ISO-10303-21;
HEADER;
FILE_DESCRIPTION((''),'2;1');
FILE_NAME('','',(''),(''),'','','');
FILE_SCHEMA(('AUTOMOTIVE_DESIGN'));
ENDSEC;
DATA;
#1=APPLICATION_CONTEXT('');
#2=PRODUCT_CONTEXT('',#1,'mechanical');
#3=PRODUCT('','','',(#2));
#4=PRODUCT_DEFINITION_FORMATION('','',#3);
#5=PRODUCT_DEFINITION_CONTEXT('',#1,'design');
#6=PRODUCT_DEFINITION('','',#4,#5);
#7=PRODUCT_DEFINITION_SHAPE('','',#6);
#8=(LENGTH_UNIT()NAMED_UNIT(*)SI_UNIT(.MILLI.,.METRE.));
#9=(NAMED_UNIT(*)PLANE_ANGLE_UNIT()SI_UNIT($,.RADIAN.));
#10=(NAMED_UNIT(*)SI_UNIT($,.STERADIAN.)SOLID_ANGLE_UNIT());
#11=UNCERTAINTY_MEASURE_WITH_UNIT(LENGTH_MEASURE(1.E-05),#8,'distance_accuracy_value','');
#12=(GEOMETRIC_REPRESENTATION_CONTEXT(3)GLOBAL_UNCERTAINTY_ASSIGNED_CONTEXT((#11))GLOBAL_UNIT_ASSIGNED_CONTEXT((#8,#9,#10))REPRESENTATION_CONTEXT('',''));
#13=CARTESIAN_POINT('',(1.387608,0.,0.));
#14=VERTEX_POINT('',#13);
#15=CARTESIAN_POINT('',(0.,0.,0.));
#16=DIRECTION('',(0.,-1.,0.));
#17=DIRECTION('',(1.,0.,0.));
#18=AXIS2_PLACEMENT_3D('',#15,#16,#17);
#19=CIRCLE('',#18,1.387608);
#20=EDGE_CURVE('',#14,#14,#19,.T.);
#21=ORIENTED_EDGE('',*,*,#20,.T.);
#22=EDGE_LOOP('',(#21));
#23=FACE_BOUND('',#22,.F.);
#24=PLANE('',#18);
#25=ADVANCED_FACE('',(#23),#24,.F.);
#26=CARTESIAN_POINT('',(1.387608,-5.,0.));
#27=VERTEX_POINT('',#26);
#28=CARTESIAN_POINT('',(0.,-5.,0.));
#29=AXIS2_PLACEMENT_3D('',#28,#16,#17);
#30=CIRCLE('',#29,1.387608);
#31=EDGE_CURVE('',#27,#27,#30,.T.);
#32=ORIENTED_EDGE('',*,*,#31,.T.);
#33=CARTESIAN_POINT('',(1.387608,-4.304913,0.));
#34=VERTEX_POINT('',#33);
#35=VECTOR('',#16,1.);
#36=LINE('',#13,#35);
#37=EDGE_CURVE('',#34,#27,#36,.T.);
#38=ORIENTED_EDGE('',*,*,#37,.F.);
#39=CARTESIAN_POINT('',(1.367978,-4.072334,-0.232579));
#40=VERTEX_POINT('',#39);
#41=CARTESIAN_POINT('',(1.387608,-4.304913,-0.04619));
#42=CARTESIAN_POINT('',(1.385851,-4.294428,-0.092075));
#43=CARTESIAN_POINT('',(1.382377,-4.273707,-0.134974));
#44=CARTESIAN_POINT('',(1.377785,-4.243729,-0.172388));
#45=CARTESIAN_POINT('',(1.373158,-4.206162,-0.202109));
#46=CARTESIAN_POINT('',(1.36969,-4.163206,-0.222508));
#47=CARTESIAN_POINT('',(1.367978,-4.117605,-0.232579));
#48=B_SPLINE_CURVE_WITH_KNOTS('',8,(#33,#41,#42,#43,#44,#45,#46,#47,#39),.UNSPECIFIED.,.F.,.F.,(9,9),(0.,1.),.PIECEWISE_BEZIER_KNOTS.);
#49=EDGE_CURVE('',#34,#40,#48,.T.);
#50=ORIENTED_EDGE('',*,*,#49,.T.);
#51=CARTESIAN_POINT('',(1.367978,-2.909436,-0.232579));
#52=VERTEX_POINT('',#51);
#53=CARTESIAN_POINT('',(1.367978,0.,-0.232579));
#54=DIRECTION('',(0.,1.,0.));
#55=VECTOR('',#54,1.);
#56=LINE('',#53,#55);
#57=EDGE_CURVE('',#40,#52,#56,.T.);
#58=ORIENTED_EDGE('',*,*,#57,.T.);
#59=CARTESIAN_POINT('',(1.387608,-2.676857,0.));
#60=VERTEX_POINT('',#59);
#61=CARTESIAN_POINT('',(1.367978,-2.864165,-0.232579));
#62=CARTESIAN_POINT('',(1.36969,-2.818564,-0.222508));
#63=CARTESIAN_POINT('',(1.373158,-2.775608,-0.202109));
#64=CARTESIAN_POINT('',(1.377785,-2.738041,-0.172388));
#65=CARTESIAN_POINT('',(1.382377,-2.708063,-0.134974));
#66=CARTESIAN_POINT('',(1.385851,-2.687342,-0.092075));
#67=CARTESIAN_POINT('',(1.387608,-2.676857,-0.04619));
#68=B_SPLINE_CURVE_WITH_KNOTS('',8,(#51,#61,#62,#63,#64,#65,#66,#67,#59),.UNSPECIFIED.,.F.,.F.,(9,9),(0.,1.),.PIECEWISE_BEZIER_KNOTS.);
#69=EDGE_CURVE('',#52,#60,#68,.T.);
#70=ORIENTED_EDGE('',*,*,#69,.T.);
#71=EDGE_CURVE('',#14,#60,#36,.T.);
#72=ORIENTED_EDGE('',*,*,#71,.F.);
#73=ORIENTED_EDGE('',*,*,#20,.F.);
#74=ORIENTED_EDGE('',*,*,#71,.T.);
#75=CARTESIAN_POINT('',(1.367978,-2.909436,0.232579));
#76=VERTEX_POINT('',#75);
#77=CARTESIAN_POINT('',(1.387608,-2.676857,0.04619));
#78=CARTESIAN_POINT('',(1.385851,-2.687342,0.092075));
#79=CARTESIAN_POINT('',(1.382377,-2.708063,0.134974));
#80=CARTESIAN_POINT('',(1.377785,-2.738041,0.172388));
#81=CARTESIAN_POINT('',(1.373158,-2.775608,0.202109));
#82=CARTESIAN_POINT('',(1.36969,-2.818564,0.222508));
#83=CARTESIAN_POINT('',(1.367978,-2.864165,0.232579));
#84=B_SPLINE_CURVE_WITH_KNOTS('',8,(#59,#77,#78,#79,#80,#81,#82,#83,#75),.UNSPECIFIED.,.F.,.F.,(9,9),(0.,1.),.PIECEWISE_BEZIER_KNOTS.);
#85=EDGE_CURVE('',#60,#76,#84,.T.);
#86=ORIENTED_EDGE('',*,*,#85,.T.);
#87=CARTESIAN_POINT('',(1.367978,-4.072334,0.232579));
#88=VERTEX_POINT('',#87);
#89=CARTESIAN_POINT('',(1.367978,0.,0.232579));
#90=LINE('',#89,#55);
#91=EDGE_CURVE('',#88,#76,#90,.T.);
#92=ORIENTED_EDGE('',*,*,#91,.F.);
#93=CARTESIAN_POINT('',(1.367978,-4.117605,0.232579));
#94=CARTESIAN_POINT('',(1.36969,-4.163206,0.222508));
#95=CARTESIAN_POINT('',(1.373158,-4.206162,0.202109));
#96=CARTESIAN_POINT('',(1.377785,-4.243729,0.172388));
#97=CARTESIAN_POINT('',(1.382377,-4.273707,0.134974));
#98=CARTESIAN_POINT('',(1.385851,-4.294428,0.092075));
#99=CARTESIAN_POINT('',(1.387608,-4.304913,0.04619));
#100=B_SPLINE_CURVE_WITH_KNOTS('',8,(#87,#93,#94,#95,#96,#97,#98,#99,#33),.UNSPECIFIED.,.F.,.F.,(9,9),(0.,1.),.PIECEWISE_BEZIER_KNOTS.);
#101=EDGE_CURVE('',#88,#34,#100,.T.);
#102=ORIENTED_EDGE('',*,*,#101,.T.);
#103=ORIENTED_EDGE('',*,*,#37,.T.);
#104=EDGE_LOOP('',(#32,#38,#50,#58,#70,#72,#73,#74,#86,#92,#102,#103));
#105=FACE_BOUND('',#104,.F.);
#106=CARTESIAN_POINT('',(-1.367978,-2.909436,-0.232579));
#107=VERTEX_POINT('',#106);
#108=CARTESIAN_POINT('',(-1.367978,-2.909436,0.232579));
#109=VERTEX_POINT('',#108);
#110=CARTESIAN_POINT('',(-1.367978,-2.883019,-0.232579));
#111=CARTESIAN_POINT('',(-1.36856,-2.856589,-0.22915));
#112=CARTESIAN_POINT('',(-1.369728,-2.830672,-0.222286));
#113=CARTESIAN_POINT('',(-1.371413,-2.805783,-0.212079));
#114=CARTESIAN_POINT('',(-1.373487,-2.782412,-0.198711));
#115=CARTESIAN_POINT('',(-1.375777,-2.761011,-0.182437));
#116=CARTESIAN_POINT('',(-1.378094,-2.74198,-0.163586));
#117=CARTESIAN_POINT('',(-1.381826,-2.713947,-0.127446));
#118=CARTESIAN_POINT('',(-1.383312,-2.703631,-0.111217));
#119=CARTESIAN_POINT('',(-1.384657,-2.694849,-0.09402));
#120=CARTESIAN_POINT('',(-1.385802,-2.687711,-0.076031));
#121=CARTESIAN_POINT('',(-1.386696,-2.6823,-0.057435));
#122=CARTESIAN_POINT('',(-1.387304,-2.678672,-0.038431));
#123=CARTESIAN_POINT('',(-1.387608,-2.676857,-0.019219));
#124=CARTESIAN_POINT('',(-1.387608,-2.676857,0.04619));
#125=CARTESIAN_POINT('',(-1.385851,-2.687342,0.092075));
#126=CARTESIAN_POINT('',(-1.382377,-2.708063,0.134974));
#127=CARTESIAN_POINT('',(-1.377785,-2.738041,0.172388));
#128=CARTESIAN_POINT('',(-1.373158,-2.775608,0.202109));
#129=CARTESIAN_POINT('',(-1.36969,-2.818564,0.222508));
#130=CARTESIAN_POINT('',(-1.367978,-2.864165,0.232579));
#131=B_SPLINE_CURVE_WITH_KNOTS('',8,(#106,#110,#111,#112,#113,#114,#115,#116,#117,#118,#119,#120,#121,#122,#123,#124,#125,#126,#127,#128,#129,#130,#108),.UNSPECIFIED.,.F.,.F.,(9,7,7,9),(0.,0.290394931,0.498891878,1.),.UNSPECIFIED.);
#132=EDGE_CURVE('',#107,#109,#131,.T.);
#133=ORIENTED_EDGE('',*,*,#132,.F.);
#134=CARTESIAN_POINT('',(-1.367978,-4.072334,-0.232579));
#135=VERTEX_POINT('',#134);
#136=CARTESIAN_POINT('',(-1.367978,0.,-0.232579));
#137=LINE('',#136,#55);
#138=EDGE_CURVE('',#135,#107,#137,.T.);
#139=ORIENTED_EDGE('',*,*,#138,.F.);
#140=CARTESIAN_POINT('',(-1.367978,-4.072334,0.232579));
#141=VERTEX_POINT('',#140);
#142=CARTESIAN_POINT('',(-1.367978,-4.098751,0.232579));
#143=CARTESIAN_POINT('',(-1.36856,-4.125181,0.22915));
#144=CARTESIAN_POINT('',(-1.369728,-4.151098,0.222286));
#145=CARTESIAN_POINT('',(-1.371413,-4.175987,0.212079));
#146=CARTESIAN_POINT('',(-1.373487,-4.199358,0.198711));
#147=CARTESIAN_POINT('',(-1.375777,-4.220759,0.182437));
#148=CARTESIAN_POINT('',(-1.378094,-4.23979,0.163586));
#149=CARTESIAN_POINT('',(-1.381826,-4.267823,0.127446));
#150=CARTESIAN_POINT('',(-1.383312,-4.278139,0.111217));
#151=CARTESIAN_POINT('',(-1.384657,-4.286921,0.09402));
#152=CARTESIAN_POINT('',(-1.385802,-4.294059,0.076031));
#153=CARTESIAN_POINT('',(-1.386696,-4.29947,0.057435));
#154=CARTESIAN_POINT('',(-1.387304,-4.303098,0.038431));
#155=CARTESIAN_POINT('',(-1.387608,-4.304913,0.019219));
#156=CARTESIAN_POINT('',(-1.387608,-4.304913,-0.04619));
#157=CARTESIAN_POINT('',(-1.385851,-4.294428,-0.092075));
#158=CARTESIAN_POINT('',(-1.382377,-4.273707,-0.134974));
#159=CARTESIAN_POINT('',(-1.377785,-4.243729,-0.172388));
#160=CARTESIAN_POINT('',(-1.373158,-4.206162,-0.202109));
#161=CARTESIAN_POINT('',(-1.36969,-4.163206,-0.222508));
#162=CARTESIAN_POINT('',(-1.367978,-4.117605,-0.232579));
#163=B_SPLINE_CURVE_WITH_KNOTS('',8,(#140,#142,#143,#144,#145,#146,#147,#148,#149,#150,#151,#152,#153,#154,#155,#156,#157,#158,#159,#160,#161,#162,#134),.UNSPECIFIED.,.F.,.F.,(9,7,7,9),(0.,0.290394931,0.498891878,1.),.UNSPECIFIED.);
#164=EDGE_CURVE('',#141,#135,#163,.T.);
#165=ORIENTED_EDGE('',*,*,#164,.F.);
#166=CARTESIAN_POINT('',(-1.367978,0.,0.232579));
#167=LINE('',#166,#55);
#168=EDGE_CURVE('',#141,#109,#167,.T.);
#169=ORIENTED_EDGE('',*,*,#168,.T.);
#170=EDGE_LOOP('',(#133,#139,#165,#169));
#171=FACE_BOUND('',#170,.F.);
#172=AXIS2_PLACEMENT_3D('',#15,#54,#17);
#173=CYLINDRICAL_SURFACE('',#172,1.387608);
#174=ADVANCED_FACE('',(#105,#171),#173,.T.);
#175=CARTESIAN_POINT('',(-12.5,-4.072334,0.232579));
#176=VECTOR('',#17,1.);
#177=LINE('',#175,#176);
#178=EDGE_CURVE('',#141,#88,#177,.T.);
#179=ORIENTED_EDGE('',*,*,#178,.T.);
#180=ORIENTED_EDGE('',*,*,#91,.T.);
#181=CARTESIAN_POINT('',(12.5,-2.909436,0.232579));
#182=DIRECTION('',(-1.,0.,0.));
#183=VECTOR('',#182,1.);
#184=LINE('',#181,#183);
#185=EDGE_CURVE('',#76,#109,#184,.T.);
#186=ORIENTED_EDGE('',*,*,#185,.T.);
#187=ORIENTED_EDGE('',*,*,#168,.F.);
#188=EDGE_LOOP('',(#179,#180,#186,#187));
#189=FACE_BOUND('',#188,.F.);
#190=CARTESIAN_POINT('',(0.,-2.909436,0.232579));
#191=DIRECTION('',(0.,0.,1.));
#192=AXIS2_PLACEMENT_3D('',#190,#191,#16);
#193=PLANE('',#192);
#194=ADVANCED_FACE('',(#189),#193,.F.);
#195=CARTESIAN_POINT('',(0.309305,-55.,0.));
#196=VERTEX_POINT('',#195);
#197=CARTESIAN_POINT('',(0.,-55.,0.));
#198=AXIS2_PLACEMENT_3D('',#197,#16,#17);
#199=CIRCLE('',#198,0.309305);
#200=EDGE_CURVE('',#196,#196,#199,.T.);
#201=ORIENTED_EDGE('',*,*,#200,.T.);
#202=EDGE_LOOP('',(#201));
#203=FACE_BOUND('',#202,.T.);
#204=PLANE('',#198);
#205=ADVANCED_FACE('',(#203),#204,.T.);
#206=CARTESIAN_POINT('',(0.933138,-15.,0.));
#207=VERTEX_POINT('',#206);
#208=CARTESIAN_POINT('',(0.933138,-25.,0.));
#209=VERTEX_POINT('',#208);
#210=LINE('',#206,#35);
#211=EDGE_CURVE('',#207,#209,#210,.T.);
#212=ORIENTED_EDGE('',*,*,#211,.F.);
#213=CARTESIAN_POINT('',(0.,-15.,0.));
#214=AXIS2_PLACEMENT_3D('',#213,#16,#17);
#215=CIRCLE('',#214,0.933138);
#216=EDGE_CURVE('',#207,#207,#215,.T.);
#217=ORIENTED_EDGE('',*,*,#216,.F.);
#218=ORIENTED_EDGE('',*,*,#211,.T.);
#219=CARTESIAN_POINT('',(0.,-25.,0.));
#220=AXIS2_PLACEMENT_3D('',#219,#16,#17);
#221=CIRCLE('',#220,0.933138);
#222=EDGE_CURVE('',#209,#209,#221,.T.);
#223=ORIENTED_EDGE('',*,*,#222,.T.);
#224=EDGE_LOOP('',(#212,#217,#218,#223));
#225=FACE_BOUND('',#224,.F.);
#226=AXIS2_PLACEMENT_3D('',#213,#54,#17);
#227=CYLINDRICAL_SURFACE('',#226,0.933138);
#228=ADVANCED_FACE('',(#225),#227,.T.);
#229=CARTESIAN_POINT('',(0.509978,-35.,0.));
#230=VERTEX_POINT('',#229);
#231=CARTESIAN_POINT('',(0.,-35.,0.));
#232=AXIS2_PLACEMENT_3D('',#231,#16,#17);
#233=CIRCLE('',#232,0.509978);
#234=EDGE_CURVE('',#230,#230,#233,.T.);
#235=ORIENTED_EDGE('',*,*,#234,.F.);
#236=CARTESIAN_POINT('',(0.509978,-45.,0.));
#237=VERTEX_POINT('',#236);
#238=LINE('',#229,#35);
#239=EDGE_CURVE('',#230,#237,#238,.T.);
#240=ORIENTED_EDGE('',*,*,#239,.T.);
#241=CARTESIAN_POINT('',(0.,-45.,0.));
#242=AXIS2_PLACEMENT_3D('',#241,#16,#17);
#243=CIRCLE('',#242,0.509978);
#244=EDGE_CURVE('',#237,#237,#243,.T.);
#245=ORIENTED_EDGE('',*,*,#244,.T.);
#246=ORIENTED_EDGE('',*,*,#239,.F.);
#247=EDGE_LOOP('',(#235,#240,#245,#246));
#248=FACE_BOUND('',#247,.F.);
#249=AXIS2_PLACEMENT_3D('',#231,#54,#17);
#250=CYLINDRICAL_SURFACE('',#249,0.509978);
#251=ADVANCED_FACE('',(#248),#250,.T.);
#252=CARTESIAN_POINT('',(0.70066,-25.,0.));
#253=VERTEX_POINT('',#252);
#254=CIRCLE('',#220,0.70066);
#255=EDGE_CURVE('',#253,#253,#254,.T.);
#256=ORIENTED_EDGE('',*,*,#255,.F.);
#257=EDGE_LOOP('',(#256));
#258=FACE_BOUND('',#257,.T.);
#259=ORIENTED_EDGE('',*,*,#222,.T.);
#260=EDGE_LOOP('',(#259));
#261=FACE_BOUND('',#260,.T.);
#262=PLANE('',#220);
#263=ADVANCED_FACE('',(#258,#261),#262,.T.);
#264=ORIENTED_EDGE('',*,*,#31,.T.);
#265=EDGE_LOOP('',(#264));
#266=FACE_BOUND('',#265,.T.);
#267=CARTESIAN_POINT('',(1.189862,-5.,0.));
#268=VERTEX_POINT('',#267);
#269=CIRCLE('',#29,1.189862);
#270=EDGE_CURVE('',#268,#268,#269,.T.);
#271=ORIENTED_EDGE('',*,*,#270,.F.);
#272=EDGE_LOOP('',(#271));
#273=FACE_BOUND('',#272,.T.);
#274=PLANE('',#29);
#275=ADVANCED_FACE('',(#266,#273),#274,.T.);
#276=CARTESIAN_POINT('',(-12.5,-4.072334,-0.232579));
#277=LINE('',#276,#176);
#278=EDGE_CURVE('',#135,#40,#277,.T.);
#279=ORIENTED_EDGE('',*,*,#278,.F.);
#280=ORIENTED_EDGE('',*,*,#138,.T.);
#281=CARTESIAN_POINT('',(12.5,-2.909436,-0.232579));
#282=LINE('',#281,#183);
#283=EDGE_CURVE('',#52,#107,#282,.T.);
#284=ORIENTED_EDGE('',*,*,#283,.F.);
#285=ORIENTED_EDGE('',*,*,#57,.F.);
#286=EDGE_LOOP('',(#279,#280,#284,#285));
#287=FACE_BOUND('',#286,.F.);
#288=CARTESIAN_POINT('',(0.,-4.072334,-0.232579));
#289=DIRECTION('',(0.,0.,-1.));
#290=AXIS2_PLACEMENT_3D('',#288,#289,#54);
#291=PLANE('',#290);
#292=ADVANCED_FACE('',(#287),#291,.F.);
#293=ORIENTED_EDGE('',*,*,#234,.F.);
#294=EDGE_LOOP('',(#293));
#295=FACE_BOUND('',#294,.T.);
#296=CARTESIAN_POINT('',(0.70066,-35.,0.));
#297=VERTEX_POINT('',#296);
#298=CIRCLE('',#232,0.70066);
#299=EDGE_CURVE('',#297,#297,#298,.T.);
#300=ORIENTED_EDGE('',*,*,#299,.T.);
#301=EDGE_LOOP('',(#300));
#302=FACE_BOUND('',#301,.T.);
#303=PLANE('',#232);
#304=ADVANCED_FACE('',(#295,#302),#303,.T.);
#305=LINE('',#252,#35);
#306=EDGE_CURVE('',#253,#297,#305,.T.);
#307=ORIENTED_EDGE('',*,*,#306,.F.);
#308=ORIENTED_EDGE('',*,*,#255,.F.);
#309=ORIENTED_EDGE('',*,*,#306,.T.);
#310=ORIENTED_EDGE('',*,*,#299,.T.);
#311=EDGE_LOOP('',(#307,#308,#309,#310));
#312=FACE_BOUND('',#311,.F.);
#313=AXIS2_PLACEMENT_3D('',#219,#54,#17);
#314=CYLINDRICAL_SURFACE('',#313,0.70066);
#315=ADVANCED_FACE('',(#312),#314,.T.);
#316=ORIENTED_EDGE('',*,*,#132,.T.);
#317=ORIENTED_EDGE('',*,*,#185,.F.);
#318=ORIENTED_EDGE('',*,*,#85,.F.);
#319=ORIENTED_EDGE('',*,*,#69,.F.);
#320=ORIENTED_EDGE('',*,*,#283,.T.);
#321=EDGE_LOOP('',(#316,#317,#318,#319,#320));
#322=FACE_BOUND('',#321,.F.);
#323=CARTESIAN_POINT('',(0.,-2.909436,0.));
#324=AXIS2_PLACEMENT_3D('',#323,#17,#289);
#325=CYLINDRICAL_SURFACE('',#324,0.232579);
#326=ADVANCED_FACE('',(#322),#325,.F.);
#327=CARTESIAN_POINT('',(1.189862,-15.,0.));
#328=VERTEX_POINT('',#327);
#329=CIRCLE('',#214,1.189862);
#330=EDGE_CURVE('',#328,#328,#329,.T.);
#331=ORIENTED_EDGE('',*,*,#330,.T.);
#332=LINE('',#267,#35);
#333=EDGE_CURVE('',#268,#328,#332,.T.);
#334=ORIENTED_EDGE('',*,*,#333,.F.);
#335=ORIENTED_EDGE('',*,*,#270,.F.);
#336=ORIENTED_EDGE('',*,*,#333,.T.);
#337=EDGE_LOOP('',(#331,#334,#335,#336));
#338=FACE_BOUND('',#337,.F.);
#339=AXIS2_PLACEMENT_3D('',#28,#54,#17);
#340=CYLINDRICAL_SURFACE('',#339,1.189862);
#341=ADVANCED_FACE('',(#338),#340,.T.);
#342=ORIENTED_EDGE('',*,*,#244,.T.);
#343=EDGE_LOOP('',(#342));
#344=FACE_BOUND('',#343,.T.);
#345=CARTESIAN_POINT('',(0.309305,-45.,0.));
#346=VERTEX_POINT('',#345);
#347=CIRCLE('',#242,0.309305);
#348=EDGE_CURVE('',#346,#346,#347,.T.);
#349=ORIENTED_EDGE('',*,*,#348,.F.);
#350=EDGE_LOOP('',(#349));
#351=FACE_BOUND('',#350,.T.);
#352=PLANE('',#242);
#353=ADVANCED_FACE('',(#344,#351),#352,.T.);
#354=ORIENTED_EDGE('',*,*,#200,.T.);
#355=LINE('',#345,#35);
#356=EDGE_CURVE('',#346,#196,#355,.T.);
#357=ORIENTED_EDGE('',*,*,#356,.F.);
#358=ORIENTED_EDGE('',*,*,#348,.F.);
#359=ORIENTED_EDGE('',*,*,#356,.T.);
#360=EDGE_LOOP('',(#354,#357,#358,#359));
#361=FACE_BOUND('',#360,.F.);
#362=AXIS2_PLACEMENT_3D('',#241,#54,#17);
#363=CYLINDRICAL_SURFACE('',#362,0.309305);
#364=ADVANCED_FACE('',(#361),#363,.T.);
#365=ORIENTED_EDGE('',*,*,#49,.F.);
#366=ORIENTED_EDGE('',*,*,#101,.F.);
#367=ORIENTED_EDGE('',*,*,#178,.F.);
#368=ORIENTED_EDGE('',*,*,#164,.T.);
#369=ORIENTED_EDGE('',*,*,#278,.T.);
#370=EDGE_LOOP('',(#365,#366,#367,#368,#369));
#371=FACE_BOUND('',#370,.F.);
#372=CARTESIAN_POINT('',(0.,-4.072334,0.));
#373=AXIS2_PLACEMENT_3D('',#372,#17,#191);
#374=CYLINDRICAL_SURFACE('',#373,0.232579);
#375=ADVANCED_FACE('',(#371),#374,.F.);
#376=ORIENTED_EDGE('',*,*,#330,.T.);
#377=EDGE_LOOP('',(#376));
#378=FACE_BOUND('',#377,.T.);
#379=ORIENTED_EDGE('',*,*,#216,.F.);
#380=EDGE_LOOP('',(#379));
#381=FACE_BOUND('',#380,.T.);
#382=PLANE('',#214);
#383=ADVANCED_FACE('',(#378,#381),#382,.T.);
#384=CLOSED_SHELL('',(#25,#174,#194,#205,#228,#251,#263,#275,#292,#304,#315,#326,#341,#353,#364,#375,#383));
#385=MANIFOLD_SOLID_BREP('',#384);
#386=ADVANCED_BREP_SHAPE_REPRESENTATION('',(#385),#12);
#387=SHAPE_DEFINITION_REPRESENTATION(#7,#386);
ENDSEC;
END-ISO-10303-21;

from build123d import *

# Parameters (mm, degrees)
F0_R      = 1.387608
F1_DEPTH  = 5
F2_R      = 1.189862
F3_DEPTH  = 10
F4_R      = 0.933138
F5_DEPTH  = 10
F6_R      = 0.70066
F7_DEPTH  = 10
F8_R      = 0.509978
F9_DEPTH  = 10
F10_R     = 0.309305
F11_DEPTH = 10
F13_DEPTH = 12.5


with BuildPart() as f1:
    # F0 (on Front) → F1 (new body)
    with BuildSketch(Plane.XZ):
        Circle(F0_R)
    extrude(amount=F1_DEPTH)

    # F2 (on face) → F3 (join)
    with BuildSketch(Plane.XZ.offset(5)):
        Circle(F2_R)
    extrude(amount=F3_DEPTH)

    # F4 (on face) → F5 (join)
    with BuildSketch(Plane.XZ.offset(15)):
        Circle(F4_R)
    extrude(amount=F5_DEPTH)

    # F6 (on face) → F7 (join)
    with BuildSketch(Plane.XZ.offset(25)):
        Circle(F6_R)
    extrude(amount=F7_DEPTH)

    # F8 (on face) → F9 (join)
    with BuildSketch(Plane.XZ.offset(35)):
        Circle(F8_R)
    extrude(amount=F9_DEPTH)

    # F10 (on face) → F11 (join)
    with BuildSketch(Plane.XZ.offset(45)):
        Circle(F10_R)
    extrude(amount=F11_DEPTH)

    # F12 (on Right) → F13 (cut, symmetric)
    with BuildSketch(Plane.YZ):
        with BuildLine():
            Line((-2.909436, 0.232579), (-4.072334, 0.232579))
            ThreePointArc((-4.072334, 0.232579), (-4.304913, 0), (-4.072334, -0.232579))
            Line((-4.072334, -0.232579), (-2.909436, -0.232579))
            ThreePointArc((-2.909436, -0.232579), (-2.676857, 0), (-2.909436, 0.232579))
        make_face()
    extrude(amount=F13_DEPTH, both=True, mode=Mode.SUBTRACT)


solid = f1.part
